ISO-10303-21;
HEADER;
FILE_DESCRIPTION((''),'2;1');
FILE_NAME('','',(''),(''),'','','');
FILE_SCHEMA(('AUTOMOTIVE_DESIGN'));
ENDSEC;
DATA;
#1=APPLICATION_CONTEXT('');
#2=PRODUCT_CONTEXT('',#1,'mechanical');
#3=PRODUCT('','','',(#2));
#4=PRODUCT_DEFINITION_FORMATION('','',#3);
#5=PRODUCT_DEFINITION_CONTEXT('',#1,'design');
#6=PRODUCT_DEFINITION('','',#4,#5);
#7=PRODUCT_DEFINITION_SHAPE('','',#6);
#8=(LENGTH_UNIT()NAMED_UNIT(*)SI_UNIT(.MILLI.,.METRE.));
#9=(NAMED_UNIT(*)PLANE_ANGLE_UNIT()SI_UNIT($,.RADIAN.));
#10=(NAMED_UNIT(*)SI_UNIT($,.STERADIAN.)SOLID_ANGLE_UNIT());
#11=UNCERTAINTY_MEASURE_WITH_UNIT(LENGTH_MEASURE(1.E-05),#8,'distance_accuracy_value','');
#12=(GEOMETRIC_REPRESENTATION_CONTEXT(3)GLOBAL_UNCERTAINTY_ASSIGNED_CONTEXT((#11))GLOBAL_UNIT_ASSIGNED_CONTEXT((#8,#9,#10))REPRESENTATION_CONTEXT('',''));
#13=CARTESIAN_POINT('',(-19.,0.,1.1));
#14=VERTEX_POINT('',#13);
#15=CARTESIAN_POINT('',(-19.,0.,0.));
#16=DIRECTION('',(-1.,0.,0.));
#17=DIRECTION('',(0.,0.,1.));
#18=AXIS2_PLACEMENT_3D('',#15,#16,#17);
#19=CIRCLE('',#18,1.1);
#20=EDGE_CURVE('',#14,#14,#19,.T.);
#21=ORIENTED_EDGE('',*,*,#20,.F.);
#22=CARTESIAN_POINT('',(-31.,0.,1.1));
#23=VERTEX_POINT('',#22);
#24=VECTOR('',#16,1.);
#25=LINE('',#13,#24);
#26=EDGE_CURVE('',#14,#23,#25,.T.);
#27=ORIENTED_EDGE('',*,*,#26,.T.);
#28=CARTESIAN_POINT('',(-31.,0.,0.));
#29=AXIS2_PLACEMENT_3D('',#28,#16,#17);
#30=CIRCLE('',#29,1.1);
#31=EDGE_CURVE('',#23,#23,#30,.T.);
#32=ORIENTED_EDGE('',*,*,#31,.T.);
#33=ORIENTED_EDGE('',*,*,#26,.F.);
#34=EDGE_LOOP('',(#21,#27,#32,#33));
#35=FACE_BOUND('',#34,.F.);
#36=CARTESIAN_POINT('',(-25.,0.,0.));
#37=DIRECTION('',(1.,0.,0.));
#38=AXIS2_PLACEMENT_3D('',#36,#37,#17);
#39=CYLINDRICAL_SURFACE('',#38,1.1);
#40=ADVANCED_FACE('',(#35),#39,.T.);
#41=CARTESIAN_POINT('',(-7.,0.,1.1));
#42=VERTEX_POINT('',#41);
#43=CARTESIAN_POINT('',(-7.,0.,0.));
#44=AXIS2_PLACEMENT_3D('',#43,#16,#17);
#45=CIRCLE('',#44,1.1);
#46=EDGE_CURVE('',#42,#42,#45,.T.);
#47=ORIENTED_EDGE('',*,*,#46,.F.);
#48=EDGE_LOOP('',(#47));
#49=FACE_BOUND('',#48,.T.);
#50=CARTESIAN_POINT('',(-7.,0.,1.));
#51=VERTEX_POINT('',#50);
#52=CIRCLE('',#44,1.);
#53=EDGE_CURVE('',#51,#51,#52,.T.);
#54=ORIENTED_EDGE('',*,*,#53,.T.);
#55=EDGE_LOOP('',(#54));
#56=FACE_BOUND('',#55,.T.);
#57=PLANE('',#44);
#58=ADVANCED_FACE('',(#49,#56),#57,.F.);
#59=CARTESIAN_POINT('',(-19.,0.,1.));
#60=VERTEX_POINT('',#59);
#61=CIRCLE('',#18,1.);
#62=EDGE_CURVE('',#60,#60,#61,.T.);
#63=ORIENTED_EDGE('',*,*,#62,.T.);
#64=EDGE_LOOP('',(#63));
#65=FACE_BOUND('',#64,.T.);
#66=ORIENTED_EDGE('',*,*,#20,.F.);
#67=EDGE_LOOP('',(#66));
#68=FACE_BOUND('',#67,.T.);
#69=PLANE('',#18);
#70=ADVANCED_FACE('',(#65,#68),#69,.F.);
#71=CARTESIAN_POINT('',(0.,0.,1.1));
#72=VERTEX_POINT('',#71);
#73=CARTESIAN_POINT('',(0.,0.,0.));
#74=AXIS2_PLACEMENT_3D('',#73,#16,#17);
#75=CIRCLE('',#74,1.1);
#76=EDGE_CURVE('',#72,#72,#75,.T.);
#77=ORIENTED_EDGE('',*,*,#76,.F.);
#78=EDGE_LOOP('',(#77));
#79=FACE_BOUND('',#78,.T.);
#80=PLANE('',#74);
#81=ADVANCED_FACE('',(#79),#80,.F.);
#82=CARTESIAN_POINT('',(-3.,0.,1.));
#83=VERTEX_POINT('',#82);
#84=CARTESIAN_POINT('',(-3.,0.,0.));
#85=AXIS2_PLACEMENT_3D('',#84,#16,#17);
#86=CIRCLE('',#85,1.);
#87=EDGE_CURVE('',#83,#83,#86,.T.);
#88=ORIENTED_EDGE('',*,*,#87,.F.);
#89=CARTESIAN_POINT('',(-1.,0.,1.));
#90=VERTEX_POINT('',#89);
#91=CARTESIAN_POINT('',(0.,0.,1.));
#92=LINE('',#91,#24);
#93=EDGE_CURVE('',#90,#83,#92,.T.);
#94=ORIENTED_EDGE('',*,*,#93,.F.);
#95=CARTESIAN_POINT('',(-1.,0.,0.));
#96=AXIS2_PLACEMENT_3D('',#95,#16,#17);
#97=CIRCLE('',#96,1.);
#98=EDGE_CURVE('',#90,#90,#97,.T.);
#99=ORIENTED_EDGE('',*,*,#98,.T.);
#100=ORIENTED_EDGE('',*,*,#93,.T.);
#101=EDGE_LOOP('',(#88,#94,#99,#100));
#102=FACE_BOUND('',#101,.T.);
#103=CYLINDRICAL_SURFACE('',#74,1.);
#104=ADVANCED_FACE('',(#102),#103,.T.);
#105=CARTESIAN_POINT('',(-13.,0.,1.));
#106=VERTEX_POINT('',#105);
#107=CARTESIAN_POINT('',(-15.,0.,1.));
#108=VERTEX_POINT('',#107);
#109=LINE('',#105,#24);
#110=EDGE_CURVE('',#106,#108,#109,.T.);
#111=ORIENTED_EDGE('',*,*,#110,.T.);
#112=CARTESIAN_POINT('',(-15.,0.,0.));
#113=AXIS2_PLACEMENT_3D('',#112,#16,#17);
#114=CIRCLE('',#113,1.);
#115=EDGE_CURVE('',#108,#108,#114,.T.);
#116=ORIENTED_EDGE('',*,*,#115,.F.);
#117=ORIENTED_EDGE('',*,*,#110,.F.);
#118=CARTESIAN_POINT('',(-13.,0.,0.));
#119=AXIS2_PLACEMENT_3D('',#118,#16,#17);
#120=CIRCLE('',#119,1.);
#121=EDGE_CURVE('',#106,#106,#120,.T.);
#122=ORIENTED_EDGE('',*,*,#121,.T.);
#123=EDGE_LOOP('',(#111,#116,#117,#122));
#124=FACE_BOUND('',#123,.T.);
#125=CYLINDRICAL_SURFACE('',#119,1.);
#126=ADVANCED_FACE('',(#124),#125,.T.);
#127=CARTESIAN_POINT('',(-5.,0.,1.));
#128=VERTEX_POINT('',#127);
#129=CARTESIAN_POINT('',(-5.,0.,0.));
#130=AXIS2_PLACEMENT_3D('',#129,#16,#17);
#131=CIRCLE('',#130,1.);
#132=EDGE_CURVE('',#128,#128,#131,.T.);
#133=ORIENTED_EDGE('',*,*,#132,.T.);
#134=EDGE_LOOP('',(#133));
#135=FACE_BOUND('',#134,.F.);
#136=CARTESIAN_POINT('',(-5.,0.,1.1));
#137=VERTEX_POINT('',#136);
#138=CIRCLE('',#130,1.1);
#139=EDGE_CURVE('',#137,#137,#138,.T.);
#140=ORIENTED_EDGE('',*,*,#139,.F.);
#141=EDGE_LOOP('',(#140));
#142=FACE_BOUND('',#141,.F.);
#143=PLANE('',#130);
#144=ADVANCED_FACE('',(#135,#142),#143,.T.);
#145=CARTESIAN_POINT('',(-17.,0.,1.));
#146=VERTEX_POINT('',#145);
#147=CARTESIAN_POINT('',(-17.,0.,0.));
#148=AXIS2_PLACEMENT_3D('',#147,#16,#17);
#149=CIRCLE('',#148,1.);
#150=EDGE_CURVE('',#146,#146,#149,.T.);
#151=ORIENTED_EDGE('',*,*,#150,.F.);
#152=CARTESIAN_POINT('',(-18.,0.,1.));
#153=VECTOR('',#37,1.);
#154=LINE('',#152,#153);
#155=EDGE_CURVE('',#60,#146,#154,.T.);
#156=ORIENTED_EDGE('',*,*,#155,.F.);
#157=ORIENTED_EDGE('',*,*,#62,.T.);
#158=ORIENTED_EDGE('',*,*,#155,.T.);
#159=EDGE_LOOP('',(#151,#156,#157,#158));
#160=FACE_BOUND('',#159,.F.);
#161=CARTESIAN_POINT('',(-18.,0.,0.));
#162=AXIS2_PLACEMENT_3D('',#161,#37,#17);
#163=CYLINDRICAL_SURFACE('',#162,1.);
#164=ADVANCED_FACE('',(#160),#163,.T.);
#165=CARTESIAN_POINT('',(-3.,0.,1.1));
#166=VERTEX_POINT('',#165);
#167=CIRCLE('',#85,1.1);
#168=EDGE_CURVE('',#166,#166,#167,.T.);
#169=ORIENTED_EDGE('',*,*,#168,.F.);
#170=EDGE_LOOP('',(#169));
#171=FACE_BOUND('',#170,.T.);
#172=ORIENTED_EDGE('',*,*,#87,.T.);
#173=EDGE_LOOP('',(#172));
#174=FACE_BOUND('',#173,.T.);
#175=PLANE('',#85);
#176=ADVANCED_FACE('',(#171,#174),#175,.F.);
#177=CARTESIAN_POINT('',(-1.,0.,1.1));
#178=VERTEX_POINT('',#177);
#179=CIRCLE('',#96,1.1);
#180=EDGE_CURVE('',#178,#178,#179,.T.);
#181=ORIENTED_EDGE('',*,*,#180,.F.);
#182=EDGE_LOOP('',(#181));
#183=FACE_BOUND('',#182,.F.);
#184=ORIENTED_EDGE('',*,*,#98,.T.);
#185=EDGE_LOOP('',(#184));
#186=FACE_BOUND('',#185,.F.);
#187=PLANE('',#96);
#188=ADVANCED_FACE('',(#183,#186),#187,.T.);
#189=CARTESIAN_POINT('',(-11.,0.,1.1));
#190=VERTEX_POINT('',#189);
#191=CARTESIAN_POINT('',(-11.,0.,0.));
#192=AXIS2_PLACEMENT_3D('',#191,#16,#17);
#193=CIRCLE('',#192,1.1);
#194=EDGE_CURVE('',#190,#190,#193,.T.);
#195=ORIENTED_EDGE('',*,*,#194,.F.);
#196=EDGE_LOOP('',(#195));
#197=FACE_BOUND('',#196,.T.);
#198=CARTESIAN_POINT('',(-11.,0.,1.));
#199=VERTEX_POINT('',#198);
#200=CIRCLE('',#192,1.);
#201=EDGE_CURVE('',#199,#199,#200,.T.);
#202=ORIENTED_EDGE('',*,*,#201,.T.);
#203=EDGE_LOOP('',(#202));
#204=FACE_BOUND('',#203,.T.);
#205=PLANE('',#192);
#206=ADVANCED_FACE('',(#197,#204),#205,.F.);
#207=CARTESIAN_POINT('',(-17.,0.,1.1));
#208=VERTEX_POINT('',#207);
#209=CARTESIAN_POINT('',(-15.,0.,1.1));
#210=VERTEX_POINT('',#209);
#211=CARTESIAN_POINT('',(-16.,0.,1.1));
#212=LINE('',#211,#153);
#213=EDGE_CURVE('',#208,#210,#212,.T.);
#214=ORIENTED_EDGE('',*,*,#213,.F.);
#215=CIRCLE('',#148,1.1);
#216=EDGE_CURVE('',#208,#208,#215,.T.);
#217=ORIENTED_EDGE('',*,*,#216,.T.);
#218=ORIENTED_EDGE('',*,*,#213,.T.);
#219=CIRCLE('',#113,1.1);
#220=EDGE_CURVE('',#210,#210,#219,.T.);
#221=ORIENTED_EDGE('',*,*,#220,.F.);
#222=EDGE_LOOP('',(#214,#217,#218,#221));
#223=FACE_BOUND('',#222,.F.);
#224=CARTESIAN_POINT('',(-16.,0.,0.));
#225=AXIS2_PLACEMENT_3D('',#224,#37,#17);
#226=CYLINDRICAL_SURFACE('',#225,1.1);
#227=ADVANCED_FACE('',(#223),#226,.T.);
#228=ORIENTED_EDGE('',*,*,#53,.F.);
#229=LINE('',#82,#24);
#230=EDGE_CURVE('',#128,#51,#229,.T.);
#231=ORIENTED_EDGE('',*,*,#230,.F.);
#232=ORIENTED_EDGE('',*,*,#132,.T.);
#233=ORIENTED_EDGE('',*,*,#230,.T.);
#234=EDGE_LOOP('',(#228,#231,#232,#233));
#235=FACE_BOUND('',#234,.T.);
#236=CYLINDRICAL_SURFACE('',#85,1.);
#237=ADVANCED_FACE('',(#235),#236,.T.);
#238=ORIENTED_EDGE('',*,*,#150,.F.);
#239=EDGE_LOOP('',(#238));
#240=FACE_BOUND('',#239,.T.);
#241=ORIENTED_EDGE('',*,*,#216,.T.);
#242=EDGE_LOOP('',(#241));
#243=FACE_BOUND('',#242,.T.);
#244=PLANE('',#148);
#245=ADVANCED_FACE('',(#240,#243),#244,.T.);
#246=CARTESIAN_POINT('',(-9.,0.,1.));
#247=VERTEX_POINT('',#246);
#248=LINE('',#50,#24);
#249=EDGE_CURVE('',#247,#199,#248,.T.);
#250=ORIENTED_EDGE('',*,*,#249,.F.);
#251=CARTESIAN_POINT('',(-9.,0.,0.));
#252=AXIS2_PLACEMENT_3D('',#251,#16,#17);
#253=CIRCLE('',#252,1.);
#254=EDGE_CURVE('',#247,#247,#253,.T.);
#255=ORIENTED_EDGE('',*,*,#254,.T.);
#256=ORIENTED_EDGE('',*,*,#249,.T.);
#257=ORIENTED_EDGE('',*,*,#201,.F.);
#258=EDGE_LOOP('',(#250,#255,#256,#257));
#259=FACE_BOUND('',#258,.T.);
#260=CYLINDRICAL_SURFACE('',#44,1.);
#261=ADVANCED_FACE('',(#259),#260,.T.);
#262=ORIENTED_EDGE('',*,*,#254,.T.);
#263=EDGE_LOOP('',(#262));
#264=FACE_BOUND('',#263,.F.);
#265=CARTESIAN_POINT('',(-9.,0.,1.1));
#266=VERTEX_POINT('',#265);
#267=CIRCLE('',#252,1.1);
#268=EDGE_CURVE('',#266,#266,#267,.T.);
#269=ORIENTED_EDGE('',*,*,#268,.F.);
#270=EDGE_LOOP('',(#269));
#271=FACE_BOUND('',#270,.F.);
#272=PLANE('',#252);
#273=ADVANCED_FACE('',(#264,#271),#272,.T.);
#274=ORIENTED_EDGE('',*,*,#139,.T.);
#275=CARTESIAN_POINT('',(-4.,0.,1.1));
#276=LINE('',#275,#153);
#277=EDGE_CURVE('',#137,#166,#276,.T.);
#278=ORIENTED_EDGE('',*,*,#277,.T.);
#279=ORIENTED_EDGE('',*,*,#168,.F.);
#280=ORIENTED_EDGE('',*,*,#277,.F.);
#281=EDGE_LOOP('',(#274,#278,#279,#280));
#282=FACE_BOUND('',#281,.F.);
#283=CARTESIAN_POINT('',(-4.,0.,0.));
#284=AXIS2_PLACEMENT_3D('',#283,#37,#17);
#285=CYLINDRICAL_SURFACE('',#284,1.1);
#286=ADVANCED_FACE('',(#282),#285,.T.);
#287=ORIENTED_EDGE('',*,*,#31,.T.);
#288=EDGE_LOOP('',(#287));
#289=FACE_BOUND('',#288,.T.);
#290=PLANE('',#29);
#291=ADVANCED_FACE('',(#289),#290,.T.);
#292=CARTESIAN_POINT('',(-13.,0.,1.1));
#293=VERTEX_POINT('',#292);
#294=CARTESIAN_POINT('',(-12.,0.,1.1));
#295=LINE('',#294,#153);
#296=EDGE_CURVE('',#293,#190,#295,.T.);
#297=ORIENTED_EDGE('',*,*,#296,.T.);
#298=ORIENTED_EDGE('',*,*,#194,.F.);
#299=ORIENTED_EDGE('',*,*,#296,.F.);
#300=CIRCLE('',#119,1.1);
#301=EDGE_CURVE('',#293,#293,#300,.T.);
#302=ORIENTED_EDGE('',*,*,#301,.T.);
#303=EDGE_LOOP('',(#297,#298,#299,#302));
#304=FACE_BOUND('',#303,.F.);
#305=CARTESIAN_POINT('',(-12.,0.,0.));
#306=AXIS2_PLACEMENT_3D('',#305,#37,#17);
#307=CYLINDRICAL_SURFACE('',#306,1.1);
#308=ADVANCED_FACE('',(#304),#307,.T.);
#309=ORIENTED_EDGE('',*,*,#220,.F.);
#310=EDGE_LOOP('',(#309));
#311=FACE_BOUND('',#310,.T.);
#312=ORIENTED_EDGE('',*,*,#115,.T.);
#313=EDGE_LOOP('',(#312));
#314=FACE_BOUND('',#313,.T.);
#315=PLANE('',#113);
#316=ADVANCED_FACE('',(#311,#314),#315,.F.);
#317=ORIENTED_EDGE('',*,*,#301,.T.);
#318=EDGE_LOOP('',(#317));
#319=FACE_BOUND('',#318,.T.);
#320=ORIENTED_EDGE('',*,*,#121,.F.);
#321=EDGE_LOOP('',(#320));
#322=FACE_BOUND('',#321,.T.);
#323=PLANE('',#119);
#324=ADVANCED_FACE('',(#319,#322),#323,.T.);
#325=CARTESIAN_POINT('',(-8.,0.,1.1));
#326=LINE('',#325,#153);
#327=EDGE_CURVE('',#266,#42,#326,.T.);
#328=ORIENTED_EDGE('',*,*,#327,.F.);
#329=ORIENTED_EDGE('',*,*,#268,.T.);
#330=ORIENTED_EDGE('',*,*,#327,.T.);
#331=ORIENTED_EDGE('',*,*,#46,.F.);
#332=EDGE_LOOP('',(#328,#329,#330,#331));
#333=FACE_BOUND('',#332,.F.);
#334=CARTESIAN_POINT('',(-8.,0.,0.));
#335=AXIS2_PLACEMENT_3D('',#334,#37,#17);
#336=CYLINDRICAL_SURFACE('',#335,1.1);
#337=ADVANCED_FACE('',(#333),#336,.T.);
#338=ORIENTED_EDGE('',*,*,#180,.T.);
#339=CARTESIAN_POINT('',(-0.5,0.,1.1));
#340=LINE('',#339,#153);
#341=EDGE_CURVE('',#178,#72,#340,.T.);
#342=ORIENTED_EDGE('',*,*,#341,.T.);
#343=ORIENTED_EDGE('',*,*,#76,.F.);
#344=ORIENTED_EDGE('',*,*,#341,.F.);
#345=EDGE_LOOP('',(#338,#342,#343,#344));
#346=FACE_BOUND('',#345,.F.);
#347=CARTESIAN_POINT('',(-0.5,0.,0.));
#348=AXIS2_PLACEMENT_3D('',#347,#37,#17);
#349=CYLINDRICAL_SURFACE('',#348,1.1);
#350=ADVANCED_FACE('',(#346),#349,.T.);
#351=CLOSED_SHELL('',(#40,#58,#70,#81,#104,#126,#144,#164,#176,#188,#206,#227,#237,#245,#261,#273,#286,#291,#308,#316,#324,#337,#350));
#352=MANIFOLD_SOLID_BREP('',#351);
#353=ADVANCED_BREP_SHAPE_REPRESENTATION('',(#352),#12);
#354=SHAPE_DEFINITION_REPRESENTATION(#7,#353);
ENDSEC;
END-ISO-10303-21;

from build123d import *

# Parameters (mm, degrees)
F0_W     = 6
F0_H     = 0.1
F0_H_2   = 1
F0_W_2   = 2
F0_W_3   = 1
F2_DEPTH = 6


with BuildPart() as f1:
    # F0 (on Front) → F1 (revolve)
    with BuildSketch(Plane.XZ):
        with Locations((-22, 1.05)):
            Rectangle(F0_W, F0_H)
        with Locations((-22, 0.5)):
            Rectangle(F0_W, F0_H_2)
        with Locations((-12, 0.5)):
            Rectangle(F0_W_2, F0_H_2)
        with Locations((-12, 1.05)):
            Rectangle(F0_W_2, F0_H)
        with Locations((-10, 0.5)):
            Rectangle(F0_W_2, F0_H_2)
        with Locations((-8, 0.5)):
            Rectangle(F0_W_2, F0_H_2)
        with Locations((-8, 1.05)):
            Rectangle(F0_W_2, F0_H)
        with Locations((-6, 0.5)):
            Rectangle(F0_W_2, F0_H_2)
        with Locations((-4, 0.5)):
            Rectangle(F0_W_2, F0_H_2)
        with Locations((-4, 1.05)):
            Rectangle(F0_W_2, F0_H)
        with Locations((-2, 0.5)):
            Rectangle(F0_W_2, F0_H_2)
        with Locations((-0.5, 0.5)):
            Rectangle(F0_W_3, F0_H_2)
        with Locations((-0.5, 1.05)):
            Rectangle(F0_W_3, F0_H)
        with Locations((-14, 0.5)):
            Rectangle(F0_W_2, F0_H_2)
        with Locations((-16, 0.5)):
            Rectangle(F0_W_2, F0_H_2)
        with Locations((-16, 1.05)):
            Rectangle(F0_W_2, F0_H)
        with Locations((-18, 0.5)):
            Rectangle(F0_W_2, F0_H_2)
    revolve(axis=Axis((-12.5, 0, 0), (-1, 0, 0)))

    # F2 (add): a face of the model
    f2_faces = [f1.faces().sort_by_distance(p)[0] for p in [
        (-25, 0, 0),
    ]]
    extrude(f2_faces, amount=F2_DEPTH)


solid = f1.part
